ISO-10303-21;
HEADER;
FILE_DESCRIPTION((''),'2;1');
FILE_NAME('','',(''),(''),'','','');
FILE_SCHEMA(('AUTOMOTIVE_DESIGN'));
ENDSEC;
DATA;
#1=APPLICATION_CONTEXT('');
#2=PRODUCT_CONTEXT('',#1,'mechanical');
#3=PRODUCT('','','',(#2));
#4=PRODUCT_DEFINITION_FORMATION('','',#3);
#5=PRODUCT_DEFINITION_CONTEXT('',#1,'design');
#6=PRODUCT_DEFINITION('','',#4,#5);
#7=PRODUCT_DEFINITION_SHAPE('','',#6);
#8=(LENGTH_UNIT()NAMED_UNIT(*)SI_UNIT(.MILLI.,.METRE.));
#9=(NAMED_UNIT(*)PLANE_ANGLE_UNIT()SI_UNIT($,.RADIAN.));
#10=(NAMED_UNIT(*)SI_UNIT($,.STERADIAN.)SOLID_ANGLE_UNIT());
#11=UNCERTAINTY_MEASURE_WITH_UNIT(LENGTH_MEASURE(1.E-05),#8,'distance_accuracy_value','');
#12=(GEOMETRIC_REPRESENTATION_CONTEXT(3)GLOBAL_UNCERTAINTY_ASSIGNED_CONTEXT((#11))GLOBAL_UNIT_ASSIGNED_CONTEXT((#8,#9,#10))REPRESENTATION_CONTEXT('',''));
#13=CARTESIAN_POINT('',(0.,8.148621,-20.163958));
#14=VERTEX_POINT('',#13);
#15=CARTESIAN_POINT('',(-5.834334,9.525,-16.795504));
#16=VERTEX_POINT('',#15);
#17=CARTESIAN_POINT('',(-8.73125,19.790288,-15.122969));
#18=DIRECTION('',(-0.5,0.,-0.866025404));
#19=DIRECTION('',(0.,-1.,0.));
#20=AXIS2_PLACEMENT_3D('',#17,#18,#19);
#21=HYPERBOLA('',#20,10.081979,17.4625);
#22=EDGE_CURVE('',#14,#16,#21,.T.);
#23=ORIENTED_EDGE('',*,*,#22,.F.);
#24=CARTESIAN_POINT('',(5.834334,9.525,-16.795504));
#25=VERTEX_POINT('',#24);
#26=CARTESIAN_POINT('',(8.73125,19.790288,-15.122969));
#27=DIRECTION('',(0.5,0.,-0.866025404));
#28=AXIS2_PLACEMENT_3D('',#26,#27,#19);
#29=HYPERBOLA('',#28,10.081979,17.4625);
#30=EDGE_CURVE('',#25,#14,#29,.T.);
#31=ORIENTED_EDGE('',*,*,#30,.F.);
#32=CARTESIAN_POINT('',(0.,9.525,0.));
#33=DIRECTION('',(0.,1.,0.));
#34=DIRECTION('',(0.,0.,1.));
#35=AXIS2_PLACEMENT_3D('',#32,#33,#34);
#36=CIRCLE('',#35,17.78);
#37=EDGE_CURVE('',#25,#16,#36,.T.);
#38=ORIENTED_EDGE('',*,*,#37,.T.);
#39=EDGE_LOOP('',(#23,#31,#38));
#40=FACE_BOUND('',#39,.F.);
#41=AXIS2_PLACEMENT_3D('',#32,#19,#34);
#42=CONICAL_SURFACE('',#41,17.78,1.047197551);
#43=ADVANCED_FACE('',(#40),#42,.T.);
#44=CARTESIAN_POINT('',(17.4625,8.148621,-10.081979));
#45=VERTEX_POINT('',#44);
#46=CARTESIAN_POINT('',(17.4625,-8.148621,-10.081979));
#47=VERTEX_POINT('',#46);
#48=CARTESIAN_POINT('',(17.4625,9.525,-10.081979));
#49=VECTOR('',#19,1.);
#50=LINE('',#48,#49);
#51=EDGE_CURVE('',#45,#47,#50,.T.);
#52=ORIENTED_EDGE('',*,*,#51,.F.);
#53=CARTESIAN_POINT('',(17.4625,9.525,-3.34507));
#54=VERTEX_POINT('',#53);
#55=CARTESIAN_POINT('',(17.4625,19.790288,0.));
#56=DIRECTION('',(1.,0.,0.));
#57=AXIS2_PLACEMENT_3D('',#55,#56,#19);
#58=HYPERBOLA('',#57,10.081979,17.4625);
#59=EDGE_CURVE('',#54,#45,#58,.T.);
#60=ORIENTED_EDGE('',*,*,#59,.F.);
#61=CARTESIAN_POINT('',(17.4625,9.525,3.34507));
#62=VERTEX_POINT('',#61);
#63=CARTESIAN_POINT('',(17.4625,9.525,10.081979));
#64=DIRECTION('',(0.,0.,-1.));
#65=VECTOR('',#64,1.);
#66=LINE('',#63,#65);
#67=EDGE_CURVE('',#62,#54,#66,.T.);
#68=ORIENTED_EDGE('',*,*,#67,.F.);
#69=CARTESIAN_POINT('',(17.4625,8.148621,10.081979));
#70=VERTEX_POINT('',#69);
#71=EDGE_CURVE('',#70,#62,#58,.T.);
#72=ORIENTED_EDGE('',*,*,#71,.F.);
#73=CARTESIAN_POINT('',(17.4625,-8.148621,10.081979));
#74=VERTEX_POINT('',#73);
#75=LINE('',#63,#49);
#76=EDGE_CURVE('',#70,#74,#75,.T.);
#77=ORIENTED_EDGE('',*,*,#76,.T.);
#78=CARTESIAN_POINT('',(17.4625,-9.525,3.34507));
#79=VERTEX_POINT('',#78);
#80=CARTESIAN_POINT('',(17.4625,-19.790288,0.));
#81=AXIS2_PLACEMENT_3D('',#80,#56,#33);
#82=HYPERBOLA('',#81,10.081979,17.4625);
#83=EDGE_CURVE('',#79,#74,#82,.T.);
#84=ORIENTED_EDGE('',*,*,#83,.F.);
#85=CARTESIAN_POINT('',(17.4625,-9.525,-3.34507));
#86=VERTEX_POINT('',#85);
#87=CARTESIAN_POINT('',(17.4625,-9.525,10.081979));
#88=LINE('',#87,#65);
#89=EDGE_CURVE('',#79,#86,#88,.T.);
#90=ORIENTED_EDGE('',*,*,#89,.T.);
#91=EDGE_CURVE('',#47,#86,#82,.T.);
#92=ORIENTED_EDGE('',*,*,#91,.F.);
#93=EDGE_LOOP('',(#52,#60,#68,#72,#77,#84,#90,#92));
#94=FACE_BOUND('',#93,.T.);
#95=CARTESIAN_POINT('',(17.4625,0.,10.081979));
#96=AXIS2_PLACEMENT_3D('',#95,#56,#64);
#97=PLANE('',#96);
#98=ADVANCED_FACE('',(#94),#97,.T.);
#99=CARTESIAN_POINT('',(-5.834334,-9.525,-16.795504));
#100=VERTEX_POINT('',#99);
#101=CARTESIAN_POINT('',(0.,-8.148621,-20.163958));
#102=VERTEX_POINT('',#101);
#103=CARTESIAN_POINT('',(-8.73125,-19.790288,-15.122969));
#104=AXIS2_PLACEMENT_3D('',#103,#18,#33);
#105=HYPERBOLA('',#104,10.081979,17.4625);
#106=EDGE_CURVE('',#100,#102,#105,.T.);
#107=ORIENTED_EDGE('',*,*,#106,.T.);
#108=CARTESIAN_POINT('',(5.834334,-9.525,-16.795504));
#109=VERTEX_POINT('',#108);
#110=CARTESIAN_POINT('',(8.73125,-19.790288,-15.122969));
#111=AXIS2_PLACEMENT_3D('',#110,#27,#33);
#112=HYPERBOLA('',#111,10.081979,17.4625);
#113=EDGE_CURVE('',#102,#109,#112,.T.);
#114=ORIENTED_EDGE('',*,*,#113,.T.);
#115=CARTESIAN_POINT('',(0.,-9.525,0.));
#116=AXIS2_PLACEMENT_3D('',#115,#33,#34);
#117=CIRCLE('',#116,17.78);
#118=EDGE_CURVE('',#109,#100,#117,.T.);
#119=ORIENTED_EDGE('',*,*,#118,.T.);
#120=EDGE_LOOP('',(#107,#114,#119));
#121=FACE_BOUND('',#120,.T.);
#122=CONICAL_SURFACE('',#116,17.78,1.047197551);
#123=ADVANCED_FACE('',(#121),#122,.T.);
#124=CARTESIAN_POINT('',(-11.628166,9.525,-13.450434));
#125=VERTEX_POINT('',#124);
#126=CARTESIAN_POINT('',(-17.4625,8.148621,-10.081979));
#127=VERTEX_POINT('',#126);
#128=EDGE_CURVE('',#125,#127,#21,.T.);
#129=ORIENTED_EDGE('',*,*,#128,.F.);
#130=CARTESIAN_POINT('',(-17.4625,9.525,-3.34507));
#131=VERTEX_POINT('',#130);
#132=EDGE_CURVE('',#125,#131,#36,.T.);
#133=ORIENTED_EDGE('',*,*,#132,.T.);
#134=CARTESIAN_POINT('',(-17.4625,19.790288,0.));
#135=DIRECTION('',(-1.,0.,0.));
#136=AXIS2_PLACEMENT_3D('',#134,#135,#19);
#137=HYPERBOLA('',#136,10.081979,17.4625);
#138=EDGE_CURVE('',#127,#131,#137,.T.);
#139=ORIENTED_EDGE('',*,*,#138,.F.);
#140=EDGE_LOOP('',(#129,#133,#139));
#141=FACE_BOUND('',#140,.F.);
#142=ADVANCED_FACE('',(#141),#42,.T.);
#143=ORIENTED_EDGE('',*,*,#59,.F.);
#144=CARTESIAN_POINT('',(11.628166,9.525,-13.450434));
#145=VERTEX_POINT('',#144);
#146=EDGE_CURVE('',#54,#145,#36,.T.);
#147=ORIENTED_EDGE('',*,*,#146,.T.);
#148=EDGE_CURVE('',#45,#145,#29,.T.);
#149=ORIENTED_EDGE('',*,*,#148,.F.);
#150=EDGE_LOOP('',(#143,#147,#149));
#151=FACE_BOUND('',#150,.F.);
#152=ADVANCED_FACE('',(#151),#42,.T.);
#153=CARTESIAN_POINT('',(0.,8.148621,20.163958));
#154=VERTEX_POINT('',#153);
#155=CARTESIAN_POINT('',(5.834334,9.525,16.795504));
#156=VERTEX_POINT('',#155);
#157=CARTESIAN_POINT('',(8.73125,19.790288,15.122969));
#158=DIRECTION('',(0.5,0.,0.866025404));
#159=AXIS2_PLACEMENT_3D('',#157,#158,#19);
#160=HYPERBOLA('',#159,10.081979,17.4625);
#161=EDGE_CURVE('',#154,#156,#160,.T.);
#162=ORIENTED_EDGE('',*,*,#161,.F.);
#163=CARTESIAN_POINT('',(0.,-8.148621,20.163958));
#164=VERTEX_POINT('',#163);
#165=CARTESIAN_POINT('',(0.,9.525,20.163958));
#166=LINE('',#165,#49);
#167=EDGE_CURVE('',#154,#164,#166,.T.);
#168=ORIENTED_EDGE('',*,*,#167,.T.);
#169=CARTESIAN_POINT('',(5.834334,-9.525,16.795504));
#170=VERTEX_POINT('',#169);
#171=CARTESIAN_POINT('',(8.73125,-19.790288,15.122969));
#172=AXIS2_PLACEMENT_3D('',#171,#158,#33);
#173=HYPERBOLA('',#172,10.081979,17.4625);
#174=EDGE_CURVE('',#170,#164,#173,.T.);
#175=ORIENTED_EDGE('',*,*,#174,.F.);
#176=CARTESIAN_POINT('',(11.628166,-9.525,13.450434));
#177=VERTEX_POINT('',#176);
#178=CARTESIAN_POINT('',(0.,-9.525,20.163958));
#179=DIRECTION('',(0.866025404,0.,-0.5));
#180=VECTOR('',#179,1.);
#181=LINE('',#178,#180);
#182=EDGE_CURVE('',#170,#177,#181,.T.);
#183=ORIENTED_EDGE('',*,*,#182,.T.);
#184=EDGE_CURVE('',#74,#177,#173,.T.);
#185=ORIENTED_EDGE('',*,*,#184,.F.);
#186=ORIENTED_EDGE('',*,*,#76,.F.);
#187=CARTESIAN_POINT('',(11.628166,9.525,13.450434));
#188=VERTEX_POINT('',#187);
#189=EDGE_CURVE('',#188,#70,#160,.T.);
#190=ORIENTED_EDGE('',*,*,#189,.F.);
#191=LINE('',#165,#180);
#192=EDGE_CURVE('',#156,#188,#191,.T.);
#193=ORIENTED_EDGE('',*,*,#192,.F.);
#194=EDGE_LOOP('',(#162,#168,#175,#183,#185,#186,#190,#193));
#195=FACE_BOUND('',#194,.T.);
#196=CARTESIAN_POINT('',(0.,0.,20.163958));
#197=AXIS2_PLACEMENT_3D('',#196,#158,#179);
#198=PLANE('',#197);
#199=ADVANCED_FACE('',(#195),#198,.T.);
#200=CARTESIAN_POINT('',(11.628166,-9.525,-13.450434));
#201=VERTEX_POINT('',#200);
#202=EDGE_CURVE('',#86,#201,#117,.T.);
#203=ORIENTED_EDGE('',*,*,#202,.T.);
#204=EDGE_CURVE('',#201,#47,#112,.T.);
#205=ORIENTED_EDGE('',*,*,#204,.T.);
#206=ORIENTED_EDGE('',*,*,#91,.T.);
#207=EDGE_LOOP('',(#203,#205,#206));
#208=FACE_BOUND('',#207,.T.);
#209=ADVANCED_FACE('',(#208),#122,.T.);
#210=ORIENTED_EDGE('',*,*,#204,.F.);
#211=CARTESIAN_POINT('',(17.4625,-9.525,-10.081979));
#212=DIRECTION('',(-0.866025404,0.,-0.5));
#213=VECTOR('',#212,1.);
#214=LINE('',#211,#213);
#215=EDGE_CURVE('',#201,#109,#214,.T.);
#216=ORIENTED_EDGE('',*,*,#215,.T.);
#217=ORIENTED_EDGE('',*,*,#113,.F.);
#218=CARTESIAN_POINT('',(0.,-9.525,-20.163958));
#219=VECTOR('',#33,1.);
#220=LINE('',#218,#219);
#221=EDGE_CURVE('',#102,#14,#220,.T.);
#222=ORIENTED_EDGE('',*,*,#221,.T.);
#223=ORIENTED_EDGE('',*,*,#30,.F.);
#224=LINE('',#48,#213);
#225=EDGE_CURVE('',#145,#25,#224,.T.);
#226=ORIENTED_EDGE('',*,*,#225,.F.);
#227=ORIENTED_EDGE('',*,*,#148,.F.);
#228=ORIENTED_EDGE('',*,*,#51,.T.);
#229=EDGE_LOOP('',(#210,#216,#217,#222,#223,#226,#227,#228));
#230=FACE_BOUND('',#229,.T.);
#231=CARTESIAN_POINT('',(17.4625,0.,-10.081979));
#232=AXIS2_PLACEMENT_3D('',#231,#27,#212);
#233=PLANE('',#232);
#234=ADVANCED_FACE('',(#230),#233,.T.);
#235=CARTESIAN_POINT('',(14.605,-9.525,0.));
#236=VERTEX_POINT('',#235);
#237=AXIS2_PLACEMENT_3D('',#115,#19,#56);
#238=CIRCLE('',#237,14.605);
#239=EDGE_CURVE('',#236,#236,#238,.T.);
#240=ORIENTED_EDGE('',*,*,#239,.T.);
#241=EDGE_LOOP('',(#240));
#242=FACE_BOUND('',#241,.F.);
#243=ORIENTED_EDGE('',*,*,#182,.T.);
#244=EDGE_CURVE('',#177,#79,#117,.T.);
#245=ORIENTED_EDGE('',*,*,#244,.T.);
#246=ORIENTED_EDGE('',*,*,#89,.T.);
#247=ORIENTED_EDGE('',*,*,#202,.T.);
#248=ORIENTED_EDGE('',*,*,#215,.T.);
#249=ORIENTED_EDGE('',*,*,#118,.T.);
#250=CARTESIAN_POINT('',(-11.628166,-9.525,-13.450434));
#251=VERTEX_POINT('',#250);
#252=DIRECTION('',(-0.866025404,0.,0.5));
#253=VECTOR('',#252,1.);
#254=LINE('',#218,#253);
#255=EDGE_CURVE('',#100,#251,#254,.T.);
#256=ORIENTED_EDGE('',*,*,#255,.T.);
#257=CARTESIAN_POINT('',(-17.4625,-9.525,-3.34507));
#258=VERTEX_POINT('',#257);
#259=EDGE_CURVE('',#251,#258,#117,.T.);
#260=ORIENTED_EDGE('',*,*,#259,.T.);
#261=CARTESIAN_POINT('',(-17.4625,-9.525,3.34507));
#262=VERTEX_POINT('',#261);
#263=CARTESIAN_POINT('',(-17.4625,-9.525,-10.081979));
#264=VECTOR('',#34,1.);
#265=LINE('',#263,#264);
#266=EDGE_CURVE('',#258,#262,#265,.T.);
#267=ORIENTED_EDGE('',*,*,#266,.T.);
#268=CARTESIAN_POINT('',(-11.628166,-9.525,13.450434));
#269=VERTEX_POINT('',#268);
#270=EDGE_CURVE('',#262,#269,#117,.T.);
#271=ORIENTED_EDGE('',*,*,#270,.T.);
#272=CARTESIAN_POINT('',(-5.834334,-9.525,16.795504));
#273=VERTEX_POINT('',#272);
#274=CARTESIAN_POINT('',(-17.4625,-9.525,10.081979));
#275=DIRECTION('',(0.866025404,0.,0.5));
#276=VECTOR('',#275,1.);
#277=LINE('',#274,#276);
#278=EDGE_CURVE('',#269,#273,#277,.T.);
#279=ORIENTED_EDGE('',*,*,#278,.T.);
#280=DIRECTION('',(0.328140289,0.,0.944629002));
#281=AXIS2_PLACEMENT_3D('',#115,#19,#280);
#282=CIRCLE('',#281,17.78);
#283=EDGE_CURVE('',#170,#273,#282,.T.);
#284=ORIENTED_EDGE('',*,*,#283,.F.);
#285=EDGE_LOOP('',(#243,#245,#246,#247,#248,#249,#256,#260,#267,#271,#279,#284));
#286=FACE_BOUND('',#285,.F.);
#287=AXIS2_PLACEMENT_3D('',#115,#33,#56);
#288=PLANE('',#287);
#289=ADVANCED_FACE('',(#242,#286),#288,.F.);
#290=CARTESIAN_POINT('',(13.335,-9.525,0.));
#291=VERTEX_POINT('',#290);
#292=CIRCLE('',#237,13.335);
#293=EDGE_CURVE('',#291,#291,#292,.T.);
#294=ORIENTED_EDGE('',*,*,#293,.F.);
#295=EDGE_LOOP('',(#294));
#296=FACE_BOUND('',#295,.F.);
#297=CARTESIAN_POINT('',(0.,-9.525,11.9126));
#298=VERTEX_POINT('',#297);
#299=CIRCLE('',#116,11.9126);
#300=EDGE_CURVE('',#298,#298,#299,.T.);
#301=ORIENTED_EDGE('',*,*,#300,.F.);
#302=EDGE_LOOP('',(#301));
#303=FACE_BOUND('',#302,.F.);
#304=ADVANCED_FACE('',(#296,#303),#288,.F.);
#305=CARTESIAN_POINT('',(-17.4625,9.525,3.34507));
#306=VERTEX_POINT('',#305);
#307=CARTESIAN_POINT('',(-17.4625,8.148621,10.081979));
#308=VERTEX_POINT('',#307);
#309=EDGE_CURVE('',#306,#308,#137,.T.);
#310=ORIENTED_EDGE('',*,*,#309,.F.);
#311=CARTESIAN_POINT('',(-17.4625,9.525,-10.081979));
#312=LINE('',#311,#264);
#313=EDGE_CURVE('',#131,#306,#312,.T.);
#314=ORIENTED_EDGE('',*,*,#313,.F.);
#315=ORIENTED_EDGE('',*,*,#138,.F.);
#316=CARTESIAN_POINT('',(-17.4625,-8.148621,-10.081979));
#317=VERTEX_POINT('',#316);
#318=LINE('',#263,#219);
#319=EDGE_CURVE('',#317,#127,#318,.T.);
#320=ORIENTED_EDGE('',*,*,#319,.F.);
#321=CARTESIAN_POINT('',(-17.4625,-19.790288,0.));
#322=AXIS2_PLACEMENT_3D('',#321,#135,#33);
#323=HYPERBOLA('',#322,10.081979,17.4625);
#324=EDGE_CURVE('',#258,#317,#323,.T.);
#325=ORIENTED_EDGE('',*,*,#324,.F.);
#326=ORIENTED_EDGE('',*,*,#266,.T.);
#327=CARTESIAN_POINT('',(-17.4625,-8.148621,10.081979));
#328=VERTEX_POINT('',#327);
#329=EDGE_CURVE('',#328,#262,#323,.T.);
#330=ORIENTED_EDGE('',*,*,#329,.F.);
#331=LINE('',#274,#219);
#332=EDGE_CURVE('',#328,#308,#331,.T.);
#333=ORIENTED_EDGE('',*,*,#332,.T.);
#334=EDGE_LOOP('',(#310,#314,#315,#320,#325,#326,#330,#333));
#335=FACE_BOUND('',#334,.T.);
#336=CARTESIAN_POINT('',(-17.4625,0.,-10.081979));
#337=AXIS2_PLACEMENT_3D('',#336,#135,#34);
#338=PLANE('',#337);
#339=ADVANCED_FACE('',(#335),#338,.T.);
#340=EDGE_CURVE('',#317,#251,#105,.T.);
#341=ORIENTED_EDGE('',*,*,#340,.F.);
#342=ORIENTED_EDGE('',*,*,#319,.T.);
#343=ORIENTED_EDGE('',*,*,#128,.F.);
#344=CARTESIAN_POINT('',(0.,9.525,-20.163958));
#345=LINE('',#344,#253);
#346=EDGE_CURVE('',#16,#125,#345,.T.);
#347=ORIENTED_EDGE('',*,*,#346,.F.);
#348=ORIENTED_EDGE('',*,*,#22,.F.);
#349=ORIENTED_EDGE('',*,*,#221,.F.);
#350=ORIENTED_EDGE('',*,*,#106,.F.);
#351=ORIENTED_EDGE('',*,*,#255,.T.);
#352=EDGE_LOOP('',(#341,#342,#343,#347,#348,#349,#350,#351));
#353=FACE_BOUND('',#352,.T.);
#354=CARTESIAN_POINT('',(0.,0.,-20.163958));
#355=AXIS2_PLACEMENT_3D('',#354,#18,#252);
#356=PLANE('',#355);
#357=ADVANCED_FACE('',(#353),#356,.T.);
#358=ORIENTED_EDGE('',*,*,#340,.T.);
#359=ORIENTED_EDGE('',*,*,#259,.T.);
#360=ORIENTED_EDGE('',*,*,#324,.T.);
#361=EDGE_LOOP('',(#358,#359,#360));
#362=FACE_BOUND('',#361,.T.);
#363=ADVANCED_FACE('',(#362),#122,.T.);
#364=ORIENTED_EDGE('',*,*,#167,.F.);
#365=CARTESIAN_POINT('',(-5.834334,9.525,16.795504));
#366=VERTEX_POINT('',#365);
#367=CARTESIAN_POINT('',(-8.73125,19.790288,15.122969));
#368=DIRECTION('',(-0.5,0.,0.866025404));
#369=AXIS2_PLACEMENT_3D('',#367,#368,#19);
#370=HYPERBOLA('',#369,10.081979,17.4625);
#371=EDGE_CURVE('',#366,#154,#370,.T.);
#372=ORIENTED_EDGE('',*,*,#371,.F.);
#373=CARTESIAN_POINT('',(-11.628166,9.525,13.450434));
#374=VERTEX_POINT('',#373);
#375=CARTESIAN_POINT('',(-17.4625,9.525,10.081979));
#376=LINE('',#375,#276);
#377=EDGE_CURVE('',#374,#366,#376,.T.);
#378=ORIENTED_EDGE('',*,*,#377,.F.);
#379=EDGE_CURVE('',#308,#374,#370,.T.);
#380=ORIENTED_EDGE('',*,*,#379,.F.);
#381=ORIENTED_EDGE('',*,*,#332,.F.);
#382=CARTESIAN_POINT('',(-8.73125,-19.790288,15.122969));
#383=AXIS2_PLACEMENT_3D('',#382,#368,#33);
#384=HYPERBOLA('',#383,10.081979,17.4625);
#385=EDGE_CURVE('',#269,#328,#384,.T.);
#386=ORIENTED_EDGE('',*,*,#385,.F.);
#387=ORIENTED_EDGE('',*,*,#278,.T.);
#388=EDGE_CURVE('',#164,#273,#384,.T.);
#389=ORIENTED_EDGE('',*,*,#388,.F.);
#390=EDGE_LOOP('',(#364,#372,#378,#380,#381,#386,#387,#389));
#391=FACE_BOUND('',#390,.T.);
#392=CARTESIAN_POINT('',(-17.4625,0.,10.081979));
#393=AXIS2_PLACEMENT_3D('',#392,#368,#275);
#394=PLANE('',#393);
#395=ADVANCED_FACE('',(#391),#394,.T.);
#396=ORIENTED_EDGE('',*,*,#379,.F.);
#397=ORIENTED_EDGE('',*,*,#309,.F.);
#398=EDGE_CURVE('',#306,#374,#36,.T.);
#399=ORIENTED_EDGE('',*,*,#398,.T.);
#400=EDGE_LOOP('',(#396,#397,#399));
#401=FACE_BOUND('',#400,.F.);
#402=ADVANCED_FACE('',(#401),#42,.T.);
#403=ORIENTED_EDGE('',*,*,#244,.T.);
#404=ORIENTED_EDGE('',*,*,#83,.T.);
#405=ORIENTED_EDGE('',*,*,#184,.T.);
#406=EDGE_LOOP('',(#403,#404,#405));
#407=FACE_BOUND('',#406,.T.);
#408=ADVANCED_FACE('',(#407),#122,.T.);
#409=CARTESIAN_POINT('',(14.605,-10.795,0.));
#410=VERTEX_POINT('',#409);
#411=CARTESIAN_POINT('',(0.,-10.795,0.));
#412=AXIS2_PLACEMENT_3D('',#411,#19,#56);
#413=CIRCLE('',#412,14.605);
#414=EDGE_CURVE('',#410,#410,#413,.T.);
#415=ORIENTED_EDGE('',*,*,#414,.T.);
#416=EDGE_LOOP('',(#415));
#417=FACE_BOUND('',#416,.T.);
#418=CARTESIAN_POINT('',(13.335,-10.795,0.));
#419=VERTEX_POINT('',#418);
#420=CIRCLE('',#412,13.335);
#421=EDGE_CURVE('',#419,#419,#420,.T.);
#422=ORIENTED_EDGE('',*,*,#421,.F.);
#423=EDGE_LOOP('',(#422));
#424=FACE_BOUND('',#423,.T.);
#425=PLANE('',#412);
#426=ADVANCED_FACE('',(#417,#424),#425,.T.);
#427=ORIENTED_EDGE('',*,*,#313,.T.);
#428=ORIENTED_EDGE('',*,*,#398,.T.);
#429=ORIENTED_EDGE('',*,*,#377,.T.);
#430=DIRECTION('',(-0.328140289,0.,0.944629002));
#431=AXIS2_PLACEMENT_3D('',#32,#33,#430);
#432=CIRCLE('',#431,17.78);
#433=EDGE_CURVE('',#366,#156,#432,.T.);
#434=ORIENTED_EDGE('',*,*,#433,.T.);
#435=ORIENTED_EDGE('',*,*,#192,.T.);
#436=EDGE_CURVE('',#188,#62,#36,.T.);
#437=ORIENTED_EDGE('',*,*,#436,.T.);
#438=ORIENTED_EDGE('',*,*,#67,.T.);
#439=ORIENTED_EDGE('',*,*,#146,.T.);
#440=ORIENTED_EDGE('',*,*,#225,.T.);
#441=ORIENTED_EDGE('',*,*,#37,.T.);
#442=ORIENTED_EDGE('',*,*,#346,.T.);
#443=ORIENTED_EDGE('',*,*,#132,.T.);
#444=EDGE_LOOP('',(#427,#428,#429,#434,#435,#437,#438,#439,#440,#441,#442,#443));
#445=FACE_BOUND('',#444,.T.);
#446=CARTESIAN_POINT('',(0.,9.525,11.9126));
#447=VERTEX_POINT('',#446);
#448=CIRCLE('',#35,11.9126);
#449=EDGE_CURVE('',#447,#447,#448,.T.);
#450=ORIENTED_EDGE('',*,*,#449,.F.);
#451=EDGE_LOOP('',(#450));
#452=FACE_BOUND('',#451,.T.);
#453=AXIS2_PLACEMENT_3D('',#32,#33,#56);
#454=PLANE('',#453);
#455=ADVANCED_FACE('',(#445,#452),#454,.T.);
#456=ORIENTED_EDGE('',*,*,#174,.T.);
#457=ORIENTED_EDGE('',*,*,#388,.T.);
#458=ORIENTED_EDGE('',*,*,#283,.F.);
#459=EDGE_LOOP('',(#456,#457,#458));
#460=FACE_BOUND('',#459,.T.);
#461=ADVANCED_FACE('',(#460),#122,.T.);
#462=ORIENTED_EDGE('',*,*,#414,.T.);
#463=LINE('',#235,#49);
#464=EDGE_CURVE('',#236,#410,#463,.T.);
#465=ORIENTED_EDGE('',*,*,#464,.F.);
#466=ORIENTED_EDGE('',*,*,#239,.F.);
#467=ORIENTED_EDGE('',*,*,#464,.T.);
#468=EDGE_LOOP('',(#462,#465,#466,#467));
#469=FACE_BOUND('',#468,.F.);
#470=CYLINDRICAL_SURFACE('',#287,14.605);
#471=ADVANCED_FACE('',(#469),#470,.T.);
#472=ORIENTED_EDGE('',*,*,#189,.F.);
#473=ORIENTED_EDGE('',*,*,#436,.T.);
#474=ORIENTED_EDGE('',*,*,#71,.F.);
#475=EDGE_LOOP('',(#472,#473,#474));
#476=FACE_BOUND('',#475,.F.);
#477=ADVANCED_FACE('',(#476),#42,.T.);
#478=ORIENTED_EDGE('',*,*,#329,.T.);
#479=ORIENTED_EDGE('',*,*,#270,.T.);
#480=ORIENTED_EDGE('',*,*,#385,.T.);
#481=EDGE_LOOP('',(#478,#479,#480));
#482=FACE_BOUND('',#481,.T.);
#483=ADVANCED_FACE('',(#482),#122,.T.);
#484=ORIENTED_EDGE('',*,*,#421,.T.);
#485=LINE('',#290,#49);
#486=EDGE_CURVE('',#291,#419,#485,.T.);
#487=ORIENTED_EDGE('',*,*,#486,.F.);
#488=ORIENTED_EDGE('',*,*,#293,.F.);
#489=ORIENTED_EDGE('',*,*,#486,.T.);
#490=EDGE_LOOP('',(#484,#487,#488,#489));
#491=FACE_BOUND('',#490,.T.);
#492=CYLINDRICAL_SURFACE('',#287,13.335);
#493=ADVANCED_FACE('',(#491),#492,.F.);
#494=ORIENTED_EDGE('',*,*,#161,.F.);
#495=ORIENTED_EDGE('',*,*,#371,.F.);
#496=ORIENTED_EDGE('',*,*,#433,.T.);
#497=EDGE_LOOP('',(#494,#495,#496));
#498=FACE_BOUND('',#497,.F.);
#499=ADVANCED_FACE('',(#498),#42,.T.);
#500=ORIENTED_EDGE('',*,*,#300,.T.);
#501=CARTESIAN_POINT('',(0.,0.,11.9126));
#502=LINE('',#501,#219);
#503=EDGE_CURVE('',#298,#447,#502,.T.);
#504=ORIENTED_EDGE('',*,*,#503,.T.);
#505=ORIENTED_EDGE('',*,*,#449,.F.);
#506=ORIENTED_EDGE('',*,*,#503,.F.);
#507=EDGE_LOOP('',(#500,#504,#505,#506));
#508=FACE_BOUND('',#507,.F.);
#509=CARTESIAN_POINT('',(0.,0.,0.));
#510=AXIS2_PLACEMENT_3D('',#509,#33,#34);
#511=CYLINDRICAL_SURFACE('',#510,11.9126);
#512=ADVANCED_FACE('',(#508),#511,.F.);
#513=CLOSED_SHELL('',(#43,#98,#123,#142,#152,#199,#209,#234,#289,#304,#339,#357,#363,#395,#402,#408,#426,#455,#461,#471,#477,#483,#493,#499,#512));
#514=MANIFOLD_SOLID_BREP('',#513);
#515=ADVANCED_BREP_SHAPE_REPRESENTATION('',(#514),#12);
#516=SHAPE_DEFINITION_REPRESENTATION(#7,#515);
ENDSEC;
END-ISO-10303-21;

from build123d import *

# Parameters (mm, degrees)
BOSS_EXTRUDE1_DEPTH = 9.525
SKETCH4_W           = 11.9126
SKETCH4_H           = 19.05
SKETCH9_R           = 14.605
SKETCH9_R_2         = 13.335
BOSS_EXTRUDE2_DEPTH = 1.27


with BuildPart() as part:
    # Sketch1 → Boss-Extrude1 (new body, symmetric)
    with BuildSketch(Plane(origin=(0, 0, 0), x_dir=(1, 0, 0), z_dir=(0, 1, 0))):
        Polygon((17.4625, 10.081979076), (0, 20.163958151), (-17.4625, 10.081979076), (-17.4625, -10.081979076), (0, -20.163958151), (17.4625, -10.081979076), align=None)
    extrude(amount=BOSS_EXTRUDE1_DEPTH, both=True)

    # Sketch4 → Cut-Revolve1 (revolve, cut)
    with BuildSketch(Plane(origin=(0, 0, 0), x_dir=(0, 0, -1), z_dir=(1, 0, 0))):
        with Locations((-5.9563, 0)):
            Rectangle(SKETCH4_W, SKETCH4_H)
        Polygon((-17.78, -9.525), (-20.163958151, -8.14862112), (-20.163958151, -9.525), align=None)
        Polygon((-20.163958151, 9.525), (-17.78, 9.525), (-20.163958151, 8.14862112), align=None)
    revolve(axis=Axis((0, -9.525, 0), (0, 1, 0)), mode=Mode.SUBTRACT)

    # Sketch9 → Boss-Extrude2 (add)
    with BuildSketch(Plane.XZ.offset(9.525)):
        Circle(SKETCH9_R)
        Circle(SKETCH9_R_2, mode=Mode.SUBTRACT)
    extrude(amount=BOSS_EXTRUDE2_DEPTH)


solid = part.part
